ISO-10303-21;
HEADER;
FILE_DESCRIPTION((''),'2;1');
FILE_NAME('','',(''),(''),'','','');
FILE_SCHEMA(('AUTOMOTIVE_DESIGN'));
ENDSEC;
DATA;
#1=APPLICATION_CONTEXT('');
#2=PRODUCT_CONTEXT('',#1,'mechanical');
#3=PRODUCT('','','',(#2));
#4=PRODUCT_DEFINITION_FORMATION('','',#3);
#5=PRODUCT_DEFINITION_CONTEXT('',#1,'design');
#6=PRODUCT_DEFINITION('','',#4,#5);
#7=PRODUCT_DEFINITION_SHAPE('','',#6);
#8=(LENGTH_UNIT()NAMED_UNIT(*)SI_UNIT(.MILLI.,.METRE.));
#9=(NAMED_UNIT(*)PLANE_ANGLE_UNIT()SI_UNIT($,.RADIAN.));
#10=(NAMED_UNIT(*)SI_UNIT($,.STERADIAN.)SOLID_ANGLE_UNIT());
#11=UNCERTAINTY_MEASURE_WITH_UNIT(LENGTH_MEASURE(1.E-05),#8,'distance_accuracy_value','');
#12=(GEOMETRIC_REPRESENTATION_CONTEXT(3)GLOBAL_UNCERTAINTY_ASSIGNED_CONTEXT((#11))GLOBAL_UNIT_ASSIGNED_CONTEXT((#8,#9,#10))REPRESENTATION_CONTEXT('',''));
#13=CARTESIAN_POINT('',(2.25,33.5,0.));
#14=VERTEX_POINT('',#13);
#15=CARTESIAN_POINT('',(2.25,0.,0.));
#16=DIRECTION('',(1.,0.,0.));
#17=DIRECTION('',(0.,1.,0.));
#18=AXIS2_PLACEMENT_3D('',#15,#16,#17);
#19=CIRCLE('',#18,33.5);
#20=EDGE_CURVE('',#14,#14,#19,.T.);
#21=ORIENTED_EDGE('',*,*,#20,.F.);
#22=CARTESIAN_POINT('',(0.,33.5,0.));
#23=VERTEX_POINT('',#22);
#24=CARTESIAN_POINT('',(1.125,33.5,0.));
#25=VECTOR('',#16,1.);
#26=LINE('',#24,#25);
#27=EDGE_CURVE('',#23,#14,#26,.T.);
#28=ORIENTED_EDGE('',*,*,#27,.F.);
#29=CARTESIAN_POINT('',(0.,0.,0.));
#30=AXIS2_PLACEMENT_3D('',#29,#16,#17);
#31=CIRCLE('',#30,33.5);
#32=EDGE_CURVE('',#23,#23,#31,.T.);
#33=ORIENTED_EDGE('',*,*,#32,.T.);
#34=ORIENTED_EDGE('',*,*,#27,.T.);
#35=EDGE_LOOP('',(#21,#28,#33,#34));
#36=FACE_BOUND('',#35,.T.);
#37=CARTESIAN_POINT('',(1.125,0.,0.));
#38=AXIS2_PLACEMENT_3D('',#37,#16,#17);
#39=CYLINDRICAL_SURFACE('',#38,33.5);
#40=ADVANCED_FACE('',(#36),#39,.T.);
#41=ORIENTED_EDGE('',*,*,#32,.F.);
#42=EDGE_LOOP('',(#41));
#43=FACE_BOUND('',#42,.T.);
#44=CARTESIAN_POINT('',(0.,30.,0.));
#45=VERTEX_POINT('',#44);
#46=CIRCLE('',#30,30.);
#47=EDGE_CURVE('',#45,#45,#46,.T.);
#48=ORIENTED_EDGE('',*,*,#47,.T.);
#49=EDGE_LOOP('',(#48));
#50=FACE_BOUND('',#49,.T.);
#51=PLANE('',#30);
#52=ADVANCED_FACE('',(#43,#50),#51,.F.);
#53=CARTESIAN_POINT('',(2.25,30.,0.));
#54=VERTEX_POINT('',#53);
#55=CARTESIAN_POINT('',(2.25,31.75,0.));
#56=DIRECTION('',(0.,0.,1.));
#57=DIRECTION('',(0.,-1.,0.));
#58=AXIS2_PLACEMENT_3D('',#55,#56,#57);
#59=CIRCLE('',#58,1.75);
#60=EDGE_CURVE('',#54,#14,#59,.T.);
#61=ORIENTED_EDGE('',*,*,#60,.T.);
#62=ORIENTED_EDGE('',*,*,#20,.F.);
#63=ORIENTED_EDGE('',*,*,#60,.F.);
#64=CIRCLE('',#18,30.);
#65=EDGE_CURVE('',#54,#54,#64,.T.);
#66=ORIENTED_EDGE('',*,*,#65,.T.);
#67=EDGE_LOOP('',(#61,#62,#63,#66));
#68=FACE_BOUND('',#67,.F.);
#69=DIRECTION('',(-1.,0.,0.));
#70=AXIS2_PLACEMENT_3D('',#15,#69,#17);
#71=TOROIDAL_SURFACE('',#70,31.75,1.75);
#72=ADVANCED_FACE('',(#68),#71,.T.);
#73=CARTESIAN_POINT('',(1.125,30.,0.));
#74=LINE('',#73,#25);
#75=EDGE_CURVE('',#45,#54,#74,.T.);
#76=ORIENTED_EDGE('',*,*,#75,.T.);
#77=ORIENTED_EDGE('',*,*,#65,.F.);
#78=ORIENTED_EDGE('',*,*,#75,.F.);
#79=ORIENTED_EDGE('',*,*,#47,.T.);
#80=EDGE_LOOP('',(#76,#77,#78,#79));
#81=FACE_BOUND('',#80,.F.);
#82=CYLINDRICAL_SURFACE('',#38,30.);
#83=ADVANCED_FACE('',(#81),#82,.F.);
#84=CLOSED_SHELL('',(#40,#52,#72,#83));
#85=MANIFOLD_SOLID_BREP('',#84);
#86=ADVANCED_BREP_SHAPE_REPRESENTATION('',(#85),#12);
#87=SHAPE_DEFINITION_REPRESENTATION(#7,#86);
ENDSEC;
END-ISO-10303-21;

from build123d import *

# Parameters (mm, degrees)
F0_W = 2.25
F0_H = 3.5


with BuildPart() as f1:
    # F0 (on Top) → F1 (revolve)
    with BuildSketch(Plane.XY):
        with Locations((1.125, 31.75)):
            Rectangle(F0_W, F0_H)
        with BuildLine():
            ThreePointArc((2.25, 30), (4, 31.75), (2.25, 33.5))
            Line((2.25, 33.5), (2.25, 30))
        make_face()
    revolve(axis=Axis((0.417635, 0, 0), (1, 0, 0)))


solid = f1.part
